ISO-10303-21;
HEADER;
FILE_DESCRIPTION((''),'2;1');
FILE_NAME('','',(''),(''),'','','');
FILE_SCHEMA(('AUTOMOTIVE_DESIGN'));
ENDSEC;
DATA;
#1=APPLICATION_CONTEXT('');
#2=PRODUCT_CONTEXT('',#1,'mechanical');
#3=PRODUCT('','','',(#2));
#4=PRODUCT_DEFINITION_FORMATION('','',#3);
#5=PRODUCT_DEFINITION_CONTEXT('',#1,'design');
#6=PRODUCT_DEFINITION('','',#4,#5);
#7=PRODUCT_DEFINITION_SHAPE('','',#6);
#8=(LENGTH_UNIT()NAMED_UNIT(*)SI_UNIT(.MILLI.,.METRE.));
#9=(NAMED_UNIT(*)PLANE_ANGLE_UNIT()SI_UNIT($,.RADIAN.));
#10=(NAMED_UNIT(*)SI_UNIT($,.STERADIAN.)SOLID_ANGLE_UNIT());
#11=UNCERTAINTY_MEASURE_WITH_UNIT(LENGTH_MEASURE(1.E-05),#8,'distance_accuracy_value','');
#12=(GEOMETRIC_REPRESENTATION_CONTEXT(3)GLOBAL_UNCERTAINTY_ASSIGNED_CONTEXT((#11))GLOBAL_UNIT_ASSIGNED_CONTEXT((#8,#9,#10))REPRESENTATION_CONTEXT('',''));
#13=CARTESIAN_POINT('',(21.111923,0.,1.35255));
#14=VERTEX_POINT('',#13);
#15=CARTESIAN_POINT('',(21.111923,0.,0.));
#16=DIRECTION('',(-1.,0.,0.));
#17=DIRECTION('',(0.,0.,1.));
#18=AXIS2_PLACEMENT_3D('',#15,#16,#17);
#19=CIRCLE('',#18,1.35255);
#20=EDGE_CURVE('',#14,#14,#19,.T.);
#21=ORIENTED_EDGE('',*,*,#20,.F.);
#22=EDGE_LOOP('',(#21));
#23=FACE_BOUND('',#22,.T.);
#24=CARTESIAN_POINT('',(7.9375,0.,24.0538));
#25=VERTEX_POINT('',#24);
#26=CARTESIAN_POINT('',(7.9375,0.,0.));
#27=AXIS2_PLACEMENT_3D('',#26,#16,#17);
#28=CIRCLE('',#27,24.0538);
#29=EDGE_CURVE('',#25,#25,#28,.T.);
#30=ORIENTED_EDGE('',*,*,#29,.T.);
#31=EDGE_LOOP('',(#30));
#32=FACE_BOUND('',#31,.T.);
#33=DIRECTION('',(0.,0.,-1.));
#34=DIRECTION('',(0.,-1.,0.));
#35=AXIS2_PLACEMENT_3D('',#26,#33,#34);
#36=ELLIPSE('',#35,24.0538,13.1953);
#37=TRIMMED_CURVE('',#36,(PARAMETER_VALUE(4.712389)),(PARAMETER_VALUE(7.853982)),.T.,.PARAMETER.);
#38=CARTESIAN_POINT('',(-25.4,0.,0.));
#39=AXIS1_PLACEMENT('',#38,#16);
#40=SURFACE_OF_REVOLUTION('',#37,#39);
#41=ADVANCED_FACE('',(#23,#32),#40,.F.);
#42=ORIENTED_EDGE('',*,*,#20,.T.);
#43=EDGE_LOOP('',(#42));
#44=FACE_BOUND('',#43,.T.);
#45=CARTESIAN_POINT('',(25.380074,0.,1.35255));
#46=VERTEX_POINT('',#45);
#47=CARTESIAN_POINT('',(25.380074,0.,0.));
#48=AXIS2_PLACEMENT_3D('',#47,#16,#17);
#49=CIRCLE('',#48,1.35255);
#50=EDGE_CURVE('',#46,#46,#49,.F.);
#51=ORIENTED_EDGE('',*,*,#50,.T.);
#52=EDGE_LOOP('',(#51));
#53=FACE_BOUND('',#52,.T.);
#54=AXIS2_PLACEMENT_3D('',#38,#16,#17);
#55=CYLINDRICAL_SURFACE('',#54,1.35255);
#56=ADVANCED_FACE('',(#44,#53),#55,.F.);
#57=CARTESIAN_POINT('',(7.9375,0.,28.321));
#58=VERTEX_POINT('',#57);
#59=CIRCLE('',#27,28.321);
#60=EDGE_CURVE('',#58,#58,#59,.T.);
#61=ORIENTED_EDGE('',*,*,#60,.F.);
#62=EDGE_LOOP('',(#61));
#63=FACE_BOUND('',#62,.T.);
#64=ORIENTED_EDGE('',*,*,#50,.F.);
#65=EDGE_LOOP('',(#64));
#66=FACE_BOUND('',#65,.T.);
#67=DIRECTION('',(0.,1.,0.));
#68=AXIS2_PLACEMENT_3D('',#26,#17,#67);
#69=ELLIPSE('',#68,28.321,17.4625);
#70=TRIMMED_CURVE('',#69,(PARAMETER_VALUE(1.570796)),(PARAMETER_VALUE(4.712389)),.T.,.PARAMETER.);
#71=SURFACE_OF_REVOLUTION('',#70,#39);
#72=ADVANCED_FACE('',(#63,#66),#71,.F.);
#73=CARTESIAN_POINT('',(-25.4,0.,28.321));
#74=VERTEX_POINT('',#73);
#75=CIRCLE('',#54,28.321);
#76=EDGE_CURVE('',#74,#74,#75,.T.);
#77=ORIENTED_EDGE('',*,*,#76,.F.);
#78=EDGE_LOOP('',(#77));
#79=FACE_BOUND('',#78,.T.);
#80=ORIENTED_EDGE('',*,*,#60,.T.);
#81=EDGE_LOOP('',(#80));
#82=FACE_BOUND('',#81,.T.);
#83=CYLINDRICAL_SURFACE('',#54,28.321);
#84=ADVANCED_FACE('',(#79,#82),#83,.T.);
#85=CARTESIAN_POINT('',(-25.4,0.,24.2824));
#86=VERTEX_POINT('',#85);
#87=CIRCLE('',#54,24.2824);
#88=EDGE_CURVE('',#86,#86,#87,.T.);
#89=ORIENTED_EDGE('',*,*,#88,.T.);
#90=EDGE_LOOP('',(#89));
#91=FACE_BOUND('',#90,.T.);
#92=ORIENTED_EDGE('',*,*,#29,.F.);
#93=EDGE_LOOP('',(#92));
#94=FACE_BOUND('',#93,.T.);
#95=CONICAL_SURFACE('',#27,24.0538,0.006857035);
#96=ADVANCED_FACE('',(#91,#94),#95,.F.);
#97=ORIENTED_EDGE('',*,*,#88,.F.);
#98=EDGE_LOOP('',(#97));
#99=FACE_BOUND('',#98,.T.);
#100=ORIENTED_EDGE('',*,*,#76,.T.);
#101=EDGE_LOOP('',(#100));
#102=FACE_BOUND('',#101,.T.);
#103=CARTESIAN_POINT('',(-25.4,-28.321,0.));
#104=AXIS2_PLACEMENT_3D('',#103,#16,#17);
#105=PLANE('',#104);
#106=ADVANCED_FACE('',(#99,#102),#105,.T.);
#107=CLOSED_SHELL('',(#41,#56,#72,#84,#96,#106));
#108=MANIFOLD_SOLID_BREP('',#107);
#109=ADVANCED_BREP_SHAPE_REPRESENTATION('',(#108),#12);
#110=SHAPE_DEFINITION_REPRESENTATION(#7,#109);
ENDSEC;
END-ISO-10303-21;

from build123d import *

# Parameters (mm, degrees)
SKETCH2_W = 1.35255
SKETCH2_H = 50.8


with BuildPart() as part:
    # Sketch1 → Revolve1 (revolve)
    with BuildSketch(Plane.XY):
        with BuildLine():
            Line((21.1328, 0), (25.4, 0))
            add(Edge.make_bspline(
                [(7.9375, -28.321), (25.4, -28.321), (25.4, 0)],
                knots=[3.141592654, 3.141592654, 3.141592654, 4.71238898, 4.71238898, 4.71238898], degree=2, weights=[1, 0.707106781, 1]))
            Line((7.9375, -28.321), (-25.4, -28.321))
            Line((-25.4, -28.321), (-25.4, -24.2824))
            Line((-25.4, -24.2824), (7.9375, -24.0538))
            add(Edge.make_bspline(
                [(7.9375, -24.0538), (21.1328, -24.0538), (21.1328, 0)],
                knots=[0, 0, 0, 1.570796327, 1.570796327, 1.570796327], degree=2, weights=[1, 0.707106781, 1]))
        make_face()
    revolve(axis=Axis((-25.4, 0, 0), (1, 0, 0)))

    # Sketch2 → #6-32 Tapped Hole1 (revolve, cut)
    with BuildSketch(Plane(origin=(-25.4, 0, 0), x_dir=(0, 0, 1), z_dir=(0, 1, 0))):
        with Locations((0.676275, 25.4)):
            Rectangle(SKETCH2_W, SKETCH2_H)
    revolve(axis=Axis((-31.75, 0, 0), (1, 0, 0)), mode=Mode.SUBTRACT)


solid = part.part
